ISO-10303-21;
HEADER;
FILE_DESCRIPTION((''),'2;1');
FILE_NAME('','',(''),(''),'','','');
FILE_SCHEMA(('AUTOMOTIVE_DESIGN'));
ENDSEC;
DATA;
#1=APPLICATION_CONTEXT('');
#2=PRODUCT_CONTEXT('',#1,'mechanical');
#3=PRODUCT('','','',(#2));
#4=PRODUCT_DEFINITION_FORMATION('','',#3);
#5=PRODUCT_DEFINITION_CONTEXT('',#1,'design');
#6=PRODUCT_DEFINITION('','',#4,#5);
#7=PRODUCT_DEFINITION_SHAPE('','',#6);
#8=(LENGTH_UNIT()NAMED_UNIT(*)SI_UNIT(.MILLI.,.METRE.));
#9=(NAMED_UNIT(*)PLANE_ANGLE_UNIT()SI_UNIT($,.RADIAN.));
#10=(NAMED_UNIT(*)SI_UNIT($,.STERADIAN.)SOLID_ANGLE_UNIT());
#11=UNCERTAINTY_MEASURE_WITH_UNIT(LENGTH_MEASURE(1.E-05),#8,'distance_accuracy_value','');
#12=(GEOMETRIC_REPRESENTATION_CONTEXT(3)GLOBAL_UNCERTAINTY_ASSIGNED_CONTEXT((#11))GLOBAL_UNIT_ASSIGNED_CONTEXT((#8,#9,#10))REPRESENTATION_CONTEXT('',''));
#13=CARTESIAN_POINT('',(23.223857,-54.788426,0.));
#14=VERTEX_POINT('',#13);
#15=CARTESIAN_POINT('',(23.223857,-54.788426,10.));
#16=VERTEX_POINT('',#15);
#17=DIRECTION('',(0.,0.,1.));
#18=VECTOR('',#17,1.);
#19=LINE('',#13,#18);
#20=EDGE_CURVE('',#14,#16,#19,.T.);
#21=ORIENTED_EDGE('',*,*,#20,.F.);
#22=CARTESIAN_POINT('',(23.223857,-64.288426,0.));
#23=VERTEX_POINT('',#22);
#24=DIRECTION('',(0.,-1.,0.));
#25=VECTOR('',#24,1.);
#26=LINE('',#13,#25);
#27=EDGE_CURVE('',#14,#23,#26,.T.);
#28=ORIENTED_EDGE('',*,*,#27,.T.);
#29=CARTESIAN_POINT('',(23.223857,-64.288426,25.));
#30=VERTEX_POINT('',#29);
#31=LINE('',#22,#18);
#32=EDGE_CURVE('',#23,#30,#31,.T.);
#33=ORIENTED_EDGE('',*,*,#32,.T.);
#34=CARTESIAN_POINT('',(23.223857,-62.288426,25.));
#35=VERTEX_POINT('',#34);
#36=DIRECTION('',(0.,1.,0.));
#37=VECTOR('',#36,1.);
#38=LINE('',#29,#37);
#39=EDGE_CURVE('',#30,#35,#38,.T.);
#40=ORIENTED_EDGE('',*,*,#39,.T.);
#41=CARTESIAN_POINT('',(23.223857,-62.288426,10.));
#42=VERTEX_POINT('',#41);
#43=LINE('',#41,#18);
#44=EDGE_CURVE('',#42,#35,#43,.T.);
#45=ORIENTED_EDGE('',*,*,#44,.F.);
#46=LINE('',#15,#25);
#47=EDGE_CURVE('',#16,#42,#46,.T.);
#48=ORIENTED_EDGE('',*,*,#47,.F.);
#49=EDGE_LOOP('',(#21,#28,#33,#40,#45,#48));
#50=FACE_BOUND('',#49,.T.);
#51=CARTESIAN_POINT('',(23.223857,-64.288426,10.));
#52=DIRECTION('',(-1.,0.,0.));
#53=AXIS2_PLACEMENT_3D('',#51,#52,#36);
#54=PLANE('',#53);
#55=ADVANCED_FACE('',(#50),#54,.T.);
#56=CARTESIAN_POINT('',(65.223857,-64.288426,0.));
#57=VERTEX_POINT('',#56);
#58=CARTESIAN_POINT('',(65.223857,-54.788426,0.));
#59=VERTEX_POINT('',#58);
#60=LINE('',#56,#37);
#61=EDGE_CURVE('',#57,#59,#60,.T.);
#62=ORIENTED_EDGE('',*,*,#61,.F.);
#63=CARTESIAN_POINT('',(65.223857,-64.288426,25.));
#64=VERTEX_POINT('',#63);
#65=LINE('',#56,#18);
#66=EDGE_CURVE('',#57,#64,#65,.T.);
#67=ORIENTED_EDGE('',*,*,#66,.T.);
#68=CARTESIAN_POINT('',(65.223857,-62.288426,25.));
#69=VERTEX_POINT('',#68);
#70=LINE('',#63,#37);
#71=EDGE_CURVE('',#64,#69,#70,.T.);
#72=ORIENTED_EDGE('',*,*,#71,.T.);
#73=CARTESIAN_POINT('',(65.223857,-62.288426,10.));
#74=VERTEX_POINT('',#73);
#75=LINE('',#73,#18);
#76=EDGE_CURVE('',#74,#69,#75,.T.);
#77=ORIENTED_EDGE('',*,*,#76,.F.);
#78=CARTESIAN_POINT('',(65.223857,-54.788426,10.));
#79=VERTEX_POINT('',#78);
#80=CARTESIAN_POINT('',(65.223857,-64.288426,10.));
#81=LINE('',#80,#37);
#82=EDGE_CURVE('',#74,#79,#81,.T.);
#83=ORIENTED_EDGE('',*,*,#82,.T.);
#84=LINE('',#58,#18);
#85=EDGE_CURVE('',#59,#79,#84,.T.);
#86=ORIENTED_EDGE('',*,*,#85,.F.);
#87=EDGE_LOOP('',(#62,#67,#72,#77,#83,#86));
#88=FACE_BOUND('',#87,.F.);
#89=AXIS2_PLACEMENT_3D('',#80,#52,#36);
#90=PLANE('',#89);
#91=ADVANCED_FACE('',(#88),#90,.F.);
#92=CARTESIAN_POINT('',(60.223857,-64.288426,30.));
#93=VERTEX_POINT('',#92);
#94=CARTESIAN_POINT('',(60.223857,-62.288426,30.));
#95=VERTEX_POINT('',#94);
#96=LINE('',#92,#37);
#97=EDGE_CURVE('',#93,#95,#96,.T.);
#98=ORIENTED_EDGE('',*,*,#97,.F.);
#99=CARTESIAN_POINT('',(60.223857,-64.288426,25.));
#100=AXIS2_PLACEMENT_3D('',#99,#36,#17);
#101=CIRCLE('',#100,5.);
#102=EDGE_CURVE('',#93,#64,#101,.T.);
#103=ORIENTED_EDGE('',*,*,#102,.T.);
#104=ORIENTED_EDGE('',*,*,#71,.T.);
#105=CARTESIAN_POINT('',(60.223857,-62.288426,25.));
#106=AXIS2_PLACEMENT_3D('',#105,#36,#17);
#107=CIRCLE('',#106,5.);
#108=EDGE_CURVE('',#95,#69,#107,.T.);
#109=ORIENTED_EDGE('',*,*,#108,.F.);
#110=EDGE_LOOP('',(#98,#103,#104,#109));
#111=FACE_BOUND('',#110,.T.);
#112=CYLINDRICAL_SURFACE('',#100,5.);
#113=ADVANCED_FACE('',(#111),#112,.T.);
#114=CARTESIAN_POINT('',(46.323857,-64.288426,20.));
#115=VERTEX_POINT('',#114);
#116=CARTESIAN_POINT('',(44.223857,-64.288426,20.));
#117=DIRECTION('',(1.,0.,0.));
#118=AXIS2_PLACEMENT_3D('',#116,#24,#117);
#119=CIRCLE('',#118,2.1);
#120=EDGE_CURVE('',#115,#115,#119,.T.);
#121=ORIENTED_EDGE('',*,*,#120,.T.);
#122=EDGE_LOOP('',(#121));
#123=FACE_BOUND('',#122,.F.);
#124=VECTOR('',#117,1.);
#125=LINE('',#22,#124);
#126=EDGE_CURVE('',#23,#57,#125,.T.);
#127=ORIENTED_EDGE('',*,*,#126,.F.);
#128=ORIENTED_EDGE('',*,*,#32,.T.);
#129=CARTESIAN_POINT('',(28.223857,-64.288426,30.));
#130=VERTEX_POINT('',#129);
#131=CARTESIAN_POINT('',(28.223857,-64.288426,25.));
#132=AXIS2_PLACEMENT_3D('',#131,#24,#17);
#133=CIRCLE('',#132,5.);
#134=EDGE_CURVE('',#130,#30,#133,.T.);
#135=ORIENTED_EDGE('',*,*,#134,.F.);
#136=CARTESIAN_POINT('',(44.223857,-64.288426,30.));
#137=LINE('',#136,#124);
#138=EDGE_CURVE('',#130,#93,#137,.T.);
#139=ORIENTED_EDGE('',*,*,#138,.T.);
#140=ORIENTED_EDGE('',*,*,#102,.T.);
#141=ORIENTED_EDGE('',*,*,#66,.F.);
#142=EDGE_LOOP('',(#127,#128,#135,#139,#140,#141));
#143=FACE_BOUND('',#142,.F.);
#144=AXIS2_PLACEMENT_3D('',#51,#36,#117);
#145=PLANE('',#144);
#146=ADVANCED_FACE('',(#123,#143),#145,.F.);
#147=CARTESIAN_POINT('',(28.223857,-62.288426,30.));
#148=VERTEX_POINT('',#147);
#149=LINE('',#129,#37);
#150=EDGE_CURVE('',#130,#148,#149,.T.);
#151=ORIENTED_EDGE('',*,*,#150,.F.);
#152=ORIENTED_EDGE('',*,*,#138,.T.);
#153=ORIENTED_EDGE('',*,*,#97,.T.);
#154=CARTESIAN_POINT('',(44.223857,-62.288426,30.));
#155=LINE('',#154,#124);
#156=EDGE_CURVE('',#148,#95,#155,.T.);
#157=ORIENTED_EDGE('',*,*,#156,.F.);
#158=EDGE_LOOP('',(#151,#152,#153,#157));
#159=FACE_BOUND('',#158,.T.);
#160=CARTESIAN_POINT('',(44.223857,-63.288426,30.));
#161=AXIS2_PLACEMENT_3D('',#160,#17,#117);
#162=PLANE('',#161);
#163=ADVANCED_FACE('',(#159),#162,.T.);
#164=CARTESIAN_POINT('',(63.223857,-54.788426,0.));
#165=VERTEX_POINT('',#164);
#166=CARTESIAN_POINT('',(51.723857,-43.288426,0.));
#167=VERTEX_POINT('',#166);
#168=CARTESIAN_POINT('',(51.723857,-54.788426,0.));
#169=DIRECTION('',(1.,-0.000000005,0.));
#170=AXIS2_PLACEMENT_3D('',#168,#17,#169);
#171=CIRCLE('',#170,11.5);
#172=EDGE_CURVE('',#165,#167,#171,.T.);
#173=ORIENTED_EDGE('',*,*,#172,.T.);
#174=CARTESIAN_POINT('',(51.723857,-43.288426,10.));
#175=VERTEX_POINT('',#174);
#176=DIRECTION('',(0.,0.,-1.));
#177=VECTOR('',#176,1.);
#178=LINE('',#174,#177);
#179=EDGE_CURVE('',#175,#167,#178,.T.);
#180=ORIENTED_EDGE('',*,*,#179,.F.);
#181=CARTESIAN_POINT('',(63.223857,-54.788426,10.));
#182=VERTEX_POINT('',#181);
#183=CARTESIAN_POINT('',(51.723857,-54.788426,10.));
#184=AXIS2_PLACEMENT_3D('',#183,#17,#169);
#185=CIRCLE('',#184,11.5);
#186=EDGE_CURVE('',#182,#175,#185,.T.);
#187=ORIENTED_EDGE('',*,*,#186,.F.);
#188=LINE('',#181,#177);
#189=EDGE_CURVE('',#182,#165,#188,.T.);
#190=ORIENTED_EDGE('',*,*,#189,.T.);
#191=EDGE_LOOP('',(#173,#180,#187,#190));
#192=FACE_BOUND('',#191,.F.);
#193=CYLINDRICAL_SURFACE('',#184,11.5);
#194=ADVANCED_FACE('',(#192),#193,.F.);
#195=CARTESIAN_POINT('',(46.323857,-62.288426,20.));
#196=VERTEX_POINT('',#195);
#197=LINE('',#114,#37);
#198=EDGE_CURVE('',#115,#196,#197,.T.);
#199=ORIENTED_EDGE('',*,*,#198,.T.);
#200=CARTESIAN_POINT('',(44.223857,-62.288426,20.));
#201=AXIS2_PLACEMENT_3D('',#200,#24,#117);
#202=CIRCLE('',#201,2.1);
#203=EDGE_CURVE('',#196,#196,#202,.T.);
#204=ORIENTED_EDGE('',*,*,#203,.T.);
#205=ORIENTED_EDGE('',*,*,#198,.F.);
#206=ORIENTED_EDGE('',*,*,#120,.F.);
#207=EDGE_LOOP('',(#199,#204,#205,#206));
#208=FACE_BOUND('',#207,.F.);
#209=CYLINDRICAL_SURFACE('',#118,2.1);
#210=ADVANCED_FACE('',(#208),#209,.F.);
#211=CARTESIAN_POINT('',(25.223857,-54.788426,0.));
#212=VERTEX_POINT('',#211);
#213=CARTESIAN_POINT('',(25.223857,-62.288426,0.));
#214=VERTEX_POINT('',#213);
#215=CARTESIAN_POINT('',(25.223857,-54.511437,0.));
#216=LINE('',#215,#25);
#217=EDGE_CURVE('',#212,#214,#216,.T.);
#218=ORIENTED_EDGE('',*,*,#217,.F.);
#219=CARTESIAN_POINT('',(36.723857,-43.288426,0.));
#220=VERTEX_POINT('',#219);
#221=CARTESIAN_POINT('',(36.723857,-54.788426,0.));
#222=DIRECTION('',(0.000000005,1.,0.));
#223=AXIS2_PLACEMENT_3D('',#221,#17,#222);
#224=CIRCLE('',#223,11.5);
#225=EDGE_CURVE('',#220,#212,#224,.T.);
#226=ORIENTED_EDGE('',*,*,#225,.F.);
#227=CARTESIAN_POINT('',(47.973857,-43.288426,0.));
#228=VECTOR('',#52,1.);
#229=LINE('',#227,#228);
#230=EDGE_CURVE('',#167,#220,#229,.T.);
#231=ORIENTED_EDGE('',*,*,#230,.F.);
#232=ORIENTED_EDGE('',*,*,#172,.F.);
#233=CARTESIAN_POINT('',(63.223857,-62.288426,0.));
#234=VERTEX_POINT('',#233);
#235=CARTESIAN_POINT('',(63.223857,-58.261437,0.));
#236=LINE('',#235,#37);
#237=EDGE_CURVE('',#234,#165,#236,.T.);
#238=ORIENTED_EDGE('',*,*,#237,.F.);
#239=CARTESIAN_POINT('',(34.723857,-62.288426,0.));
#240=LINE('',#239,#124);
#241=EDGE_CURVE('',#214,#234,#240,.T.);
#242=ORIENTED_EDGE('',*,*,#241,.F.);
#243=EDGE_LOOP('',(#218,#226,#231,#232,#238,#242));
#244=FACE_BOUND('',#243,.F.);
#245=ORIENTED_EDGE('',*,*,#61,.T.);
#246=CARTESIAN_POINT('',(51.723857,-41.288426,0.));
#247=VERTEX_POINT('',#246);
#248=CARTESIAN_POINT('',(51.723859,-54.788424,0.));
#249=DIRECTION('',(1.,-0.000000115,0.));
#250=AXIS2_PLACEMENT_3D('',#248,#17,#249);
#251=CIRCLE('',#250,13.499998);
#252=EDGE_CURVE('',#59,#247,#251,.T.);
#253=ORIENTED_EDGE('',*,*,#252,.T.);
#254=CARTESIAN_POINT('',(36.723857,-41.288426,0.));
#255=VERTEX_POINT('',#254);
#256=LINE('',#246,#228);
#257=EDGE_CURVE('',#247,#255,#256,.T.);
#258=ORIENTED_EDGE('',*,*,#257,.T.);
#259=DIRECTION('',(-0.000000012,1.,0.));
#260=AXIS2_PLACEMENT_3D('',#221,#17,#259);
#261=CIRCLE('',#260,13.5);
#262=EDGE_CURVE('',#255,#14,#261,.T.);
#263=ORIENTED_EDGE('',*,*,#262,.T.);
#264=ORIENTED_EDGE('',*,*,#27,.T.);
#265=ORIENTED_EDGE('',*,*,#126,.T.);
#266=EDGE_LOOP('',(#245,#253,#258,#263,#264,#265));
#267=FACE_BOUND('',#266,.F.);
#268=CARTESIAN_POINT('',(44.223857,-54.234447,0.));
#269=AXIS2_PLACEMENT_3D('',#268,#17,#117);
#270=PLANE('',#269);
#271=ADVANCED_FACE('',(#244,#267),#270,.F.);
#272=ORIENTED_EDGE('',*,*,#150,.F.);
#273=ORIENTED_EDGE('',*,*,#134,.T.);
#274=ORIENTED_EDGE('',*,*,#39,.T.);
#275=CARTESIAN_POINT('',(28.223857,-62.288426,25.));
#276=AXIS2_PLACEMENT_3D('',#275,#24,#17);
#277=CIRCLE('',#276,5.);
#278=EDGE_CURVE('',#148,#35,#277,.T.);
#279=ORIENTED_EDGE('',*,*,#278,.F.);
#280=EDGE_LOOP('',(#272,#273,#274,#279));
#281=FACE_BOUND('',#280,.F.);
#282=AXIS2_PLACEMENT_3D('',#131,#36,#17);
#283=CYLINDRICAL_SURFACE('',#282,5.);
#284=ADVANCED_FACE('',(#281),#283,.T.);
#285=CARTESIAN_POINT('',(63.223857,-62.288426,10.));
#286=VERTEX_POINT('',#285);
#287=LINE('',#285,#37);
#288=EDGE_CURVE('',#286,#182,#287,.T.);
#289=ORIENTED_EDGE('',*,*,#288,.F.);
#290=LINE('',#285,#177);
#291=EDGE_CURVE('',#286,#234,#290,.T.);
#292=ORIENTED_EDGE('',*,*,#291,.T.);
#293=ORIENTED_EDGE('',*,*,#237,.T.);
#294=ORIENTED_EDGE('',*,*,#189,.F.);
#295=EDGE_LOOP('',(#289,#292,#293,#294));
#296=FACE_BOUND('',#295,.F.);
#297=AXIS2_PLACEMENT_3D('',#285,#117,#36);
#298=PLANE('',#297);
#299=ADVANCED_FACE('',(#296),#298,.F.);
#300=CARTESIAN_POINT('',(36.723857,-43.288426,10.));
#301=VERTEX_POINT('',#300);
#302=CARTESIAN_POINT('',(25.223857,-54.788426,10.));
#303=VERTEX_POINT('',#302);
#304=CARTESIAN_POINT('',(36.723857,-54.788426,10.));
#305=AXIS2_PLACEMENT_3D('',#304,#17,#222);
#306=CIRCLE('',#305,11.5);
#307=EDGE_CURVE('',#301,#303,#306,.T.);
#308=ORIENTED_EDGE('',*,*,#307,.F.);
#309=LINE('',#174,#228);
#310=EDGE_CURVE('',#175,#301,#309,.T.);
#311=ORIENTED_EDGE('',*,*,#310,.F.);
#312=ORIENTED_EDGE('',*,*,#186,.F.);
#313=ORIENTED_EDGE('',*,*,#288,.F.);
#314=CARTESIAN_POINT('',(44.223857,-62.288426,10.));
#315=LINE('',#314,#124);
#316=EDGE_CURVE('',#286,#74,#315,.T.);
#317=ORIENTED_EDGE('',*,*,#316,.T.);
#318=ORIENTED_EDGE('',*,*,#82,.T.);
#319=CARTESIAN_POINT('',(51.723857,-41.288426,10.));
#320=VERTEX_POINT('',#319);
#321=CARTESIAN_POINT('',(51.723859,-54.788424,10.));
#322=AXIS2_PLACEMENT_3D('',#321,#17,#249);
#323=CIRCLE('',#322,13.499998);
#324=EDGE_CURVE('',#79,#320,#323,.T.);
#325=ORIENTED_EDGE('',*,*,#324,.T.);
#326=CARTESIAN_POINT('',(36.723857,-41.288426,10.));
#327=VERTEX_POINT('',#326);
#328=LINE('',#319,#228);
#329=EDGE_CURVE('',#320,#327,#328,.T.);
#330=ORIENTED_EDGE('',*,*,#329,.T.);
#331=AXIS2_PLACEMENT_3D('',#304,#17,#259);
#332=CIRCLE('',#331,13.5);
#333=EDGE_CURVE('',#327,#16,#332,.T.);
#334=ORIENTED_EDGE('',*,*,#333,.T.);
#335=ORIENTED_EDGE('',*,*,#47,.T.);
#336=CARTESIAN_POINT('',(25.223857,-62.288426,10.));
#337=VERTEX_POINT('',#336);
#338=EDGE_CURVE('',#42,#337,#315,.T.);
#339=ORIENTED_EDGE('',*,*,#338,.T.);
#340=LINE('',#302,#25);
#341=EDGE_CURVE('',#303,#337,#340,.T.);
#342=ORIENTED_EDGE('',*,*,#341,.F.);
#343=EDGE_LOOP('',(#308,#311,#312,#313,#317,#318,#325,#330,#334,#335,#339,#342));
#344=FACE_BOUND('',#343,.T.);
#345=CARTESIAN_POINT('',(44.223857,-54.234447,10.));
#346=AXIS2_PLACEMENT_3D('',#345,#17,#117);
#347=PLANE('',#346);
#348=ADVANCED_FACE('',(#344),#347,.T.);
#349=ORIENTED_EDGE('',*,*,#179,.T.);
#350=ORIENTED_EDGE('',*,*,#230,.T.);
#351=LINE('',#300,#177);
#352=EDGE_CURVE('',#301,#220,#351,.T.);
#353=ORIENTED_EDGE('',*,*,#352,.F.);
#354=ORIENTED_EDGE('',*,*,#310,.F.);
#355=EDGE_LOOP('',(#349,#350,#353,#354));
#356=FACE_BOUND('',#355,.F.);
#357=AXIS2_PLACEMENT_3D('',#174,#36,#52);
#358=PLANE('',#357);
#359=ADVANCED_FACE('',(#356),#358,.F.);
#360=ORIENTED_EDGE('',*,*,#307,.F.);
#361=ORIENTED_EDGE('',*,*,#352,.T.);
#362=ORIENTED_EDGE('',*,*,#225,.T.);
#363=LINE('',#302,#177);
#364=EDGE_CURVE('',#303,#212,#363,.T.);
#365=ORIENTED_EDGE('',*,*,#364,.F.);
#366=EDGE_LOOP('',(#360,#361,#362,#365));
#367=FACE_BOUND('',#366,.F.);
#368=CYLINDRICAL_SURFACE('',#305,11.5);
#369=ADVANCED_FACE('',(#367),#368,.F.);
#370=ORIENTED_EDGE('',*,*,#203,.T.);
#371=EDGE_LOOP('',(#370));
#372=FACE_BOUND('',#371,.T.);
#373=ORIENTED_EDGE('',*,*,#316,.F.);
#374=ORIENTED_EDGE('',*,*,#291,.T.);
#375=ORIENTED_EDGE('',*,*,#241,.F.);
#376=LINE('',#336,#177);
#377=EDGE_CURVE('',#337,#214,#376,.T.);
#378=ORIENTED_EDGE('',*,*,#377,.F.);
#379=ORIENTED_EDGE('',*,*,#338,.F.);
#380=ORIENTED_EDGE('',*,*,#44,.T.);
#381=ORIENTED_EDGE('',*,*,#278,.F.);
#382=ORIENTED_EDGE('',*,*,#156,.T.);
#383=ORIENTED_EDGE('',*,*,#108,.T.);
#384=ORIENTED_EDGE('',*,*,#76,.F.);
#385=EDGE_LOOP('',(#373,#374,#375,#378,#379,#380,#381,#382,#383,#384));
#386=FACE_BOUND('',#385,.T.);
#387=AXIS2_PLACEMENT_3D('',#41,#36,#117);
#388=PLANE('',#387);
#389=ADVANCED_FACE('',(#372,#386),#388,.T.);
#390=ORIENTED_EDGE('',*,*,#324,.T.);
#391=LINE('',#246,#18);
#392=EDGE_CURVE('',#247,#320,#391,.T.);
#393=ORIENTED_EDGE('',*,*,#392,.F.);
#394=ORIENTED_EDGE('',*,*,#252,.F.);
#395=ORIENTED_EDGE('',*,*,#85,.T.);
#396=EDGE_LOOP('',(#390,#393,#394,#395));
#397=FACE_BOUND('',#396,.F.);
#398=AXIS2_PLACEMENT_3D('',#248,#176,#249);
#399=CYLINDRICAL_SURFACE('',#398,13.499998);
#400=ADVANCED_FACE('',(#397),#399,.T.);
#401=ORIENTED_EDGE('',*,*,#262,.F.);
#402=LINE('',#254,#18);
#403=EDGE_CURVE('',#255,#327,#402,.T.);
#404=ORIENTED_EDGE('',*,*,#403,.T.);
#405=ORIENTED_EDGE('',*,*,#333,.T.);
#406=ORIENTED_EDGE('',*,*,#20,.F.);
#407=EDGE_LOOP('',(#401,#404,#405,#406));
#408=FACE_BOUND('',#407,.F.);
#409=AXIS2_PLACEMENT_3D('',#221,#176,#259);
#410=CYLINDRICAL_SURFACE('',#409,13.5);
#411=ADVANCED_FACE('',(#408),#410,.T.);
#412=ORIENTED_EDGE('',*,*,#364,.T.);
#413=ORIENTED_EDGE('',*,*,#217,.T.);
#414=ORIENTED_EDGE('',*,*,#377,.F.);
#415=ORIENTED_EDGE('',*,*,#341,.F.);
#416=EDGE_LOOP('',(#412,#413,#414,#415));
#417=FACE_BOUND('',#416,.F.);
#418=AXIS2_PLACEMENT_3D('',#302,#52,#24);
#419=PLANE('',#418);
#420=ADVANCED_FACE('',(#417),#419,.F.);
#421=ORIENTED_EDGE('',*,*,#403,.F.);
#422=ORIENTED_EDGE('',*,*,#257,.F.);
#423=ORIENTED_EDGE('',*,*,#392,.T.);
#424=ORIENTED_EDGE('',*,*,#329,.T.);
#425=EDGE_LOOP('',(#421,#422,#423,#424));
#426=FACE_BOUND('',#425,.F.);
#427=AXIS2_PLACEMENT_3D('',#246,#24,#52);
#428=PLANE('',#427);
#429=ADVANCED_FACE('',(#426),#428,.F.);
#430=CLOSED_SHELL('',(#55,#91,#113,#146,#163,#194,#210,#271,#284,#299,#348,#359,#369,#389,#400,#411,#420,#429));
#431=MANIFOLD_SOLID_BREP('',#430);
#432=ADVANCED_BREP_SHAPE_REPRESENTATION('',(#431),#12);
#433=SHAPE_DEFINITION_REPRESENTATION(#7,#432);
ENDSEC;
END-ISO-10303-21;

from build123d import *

# Parameters (mm, degrees)
F1_DEPTH = 10
F3_DEPTH = 25
F4_W     = 42
F4_H     = 2
F5_DEPTH = 20
F6_R     = 2.1
F7_DEPTH = 4
F8_R     = 5
F9_R     = 5


with BuildPart() as f1:
    # F0 (on Top) → F1 (new body)
    with BuildSketch(Plane.XY):
        with BuildLine():
            Line((51.723857, -41.288426), (36.723857, -41.288426))
            ThreePointArc((36.723857, -41.288426), (27.177916, -45.242484), (23.223857, -54.788426))
            Line((23.223857, -54.788426), (23.223857, -64.288426))
            Line((23.223857, -64.288426), (65.223857, -64.288426))
            Line((65.223857, -64.288426), (65.223857, -54.788426))
            ThreePointArc((65.223857, -54.788426), (61.269799, -45.242484), (51.723857, -41.288426))
        make_face()
    extrude(amount=F1_DEPTH)

    # F2 (on face) → F3 (cut)
    with BuildSketch(Plane.XY.offset(10)):
        with BuildLine():
            Line((51.723857, -43.288426), (36.723857, -43.288426))
            ThreePointArc((36.723857, -43.288426), (28.592129, -46.656698), (25.223857, -54.788426))
            Line((25.223857, -54.788426), (25.223857, -62.288426))
            Line((25.223857, -62.288426), (63.223857, -62.288426))
            Line((63.223857, -62.288426), (63.223857, -54.788426))
            ThreePointArc((63.223857, -54.788426), (59.855585, -46.656698), (51.723857, -43.288426))
        make_face()
    extrude(amount=-F3_DEPTH, mode=Mode.SUBTRACT)

    # F4 (on face) → F5 (join)
    with BuildSketch(Plane.XY.offset(10)):
        with Locations((44.223857, -63.288426)):
            Rectangle(F4_W, F4_H)
    extrude(amount=F5_DEPTH)

    # F6 (on face) → F7 (cut)
    with BuildSketch(Plane.XZ.offset(64.288426)):
        with Locations((44.223857, 20)):
            Circle(F6_R)
    extrude(amount=-F7_DEPTH, mode=Mode.SUBTRACT)

    # F8
    f8_edges = [f1.edges().sort_by_distance(p)[0] for p in [
        (65.223857, -63.288426, 30),
    ]]
    fillet(f8_edges, radius=F8_R)

    # F9
    f9_edges = [f1.edges().sort_by_distance(p)[0] for p in [
        (23.223857, -63.288426, 30),
    ]]
    fillet(f9_edges, radius=F9_R)


solid = f1.part
